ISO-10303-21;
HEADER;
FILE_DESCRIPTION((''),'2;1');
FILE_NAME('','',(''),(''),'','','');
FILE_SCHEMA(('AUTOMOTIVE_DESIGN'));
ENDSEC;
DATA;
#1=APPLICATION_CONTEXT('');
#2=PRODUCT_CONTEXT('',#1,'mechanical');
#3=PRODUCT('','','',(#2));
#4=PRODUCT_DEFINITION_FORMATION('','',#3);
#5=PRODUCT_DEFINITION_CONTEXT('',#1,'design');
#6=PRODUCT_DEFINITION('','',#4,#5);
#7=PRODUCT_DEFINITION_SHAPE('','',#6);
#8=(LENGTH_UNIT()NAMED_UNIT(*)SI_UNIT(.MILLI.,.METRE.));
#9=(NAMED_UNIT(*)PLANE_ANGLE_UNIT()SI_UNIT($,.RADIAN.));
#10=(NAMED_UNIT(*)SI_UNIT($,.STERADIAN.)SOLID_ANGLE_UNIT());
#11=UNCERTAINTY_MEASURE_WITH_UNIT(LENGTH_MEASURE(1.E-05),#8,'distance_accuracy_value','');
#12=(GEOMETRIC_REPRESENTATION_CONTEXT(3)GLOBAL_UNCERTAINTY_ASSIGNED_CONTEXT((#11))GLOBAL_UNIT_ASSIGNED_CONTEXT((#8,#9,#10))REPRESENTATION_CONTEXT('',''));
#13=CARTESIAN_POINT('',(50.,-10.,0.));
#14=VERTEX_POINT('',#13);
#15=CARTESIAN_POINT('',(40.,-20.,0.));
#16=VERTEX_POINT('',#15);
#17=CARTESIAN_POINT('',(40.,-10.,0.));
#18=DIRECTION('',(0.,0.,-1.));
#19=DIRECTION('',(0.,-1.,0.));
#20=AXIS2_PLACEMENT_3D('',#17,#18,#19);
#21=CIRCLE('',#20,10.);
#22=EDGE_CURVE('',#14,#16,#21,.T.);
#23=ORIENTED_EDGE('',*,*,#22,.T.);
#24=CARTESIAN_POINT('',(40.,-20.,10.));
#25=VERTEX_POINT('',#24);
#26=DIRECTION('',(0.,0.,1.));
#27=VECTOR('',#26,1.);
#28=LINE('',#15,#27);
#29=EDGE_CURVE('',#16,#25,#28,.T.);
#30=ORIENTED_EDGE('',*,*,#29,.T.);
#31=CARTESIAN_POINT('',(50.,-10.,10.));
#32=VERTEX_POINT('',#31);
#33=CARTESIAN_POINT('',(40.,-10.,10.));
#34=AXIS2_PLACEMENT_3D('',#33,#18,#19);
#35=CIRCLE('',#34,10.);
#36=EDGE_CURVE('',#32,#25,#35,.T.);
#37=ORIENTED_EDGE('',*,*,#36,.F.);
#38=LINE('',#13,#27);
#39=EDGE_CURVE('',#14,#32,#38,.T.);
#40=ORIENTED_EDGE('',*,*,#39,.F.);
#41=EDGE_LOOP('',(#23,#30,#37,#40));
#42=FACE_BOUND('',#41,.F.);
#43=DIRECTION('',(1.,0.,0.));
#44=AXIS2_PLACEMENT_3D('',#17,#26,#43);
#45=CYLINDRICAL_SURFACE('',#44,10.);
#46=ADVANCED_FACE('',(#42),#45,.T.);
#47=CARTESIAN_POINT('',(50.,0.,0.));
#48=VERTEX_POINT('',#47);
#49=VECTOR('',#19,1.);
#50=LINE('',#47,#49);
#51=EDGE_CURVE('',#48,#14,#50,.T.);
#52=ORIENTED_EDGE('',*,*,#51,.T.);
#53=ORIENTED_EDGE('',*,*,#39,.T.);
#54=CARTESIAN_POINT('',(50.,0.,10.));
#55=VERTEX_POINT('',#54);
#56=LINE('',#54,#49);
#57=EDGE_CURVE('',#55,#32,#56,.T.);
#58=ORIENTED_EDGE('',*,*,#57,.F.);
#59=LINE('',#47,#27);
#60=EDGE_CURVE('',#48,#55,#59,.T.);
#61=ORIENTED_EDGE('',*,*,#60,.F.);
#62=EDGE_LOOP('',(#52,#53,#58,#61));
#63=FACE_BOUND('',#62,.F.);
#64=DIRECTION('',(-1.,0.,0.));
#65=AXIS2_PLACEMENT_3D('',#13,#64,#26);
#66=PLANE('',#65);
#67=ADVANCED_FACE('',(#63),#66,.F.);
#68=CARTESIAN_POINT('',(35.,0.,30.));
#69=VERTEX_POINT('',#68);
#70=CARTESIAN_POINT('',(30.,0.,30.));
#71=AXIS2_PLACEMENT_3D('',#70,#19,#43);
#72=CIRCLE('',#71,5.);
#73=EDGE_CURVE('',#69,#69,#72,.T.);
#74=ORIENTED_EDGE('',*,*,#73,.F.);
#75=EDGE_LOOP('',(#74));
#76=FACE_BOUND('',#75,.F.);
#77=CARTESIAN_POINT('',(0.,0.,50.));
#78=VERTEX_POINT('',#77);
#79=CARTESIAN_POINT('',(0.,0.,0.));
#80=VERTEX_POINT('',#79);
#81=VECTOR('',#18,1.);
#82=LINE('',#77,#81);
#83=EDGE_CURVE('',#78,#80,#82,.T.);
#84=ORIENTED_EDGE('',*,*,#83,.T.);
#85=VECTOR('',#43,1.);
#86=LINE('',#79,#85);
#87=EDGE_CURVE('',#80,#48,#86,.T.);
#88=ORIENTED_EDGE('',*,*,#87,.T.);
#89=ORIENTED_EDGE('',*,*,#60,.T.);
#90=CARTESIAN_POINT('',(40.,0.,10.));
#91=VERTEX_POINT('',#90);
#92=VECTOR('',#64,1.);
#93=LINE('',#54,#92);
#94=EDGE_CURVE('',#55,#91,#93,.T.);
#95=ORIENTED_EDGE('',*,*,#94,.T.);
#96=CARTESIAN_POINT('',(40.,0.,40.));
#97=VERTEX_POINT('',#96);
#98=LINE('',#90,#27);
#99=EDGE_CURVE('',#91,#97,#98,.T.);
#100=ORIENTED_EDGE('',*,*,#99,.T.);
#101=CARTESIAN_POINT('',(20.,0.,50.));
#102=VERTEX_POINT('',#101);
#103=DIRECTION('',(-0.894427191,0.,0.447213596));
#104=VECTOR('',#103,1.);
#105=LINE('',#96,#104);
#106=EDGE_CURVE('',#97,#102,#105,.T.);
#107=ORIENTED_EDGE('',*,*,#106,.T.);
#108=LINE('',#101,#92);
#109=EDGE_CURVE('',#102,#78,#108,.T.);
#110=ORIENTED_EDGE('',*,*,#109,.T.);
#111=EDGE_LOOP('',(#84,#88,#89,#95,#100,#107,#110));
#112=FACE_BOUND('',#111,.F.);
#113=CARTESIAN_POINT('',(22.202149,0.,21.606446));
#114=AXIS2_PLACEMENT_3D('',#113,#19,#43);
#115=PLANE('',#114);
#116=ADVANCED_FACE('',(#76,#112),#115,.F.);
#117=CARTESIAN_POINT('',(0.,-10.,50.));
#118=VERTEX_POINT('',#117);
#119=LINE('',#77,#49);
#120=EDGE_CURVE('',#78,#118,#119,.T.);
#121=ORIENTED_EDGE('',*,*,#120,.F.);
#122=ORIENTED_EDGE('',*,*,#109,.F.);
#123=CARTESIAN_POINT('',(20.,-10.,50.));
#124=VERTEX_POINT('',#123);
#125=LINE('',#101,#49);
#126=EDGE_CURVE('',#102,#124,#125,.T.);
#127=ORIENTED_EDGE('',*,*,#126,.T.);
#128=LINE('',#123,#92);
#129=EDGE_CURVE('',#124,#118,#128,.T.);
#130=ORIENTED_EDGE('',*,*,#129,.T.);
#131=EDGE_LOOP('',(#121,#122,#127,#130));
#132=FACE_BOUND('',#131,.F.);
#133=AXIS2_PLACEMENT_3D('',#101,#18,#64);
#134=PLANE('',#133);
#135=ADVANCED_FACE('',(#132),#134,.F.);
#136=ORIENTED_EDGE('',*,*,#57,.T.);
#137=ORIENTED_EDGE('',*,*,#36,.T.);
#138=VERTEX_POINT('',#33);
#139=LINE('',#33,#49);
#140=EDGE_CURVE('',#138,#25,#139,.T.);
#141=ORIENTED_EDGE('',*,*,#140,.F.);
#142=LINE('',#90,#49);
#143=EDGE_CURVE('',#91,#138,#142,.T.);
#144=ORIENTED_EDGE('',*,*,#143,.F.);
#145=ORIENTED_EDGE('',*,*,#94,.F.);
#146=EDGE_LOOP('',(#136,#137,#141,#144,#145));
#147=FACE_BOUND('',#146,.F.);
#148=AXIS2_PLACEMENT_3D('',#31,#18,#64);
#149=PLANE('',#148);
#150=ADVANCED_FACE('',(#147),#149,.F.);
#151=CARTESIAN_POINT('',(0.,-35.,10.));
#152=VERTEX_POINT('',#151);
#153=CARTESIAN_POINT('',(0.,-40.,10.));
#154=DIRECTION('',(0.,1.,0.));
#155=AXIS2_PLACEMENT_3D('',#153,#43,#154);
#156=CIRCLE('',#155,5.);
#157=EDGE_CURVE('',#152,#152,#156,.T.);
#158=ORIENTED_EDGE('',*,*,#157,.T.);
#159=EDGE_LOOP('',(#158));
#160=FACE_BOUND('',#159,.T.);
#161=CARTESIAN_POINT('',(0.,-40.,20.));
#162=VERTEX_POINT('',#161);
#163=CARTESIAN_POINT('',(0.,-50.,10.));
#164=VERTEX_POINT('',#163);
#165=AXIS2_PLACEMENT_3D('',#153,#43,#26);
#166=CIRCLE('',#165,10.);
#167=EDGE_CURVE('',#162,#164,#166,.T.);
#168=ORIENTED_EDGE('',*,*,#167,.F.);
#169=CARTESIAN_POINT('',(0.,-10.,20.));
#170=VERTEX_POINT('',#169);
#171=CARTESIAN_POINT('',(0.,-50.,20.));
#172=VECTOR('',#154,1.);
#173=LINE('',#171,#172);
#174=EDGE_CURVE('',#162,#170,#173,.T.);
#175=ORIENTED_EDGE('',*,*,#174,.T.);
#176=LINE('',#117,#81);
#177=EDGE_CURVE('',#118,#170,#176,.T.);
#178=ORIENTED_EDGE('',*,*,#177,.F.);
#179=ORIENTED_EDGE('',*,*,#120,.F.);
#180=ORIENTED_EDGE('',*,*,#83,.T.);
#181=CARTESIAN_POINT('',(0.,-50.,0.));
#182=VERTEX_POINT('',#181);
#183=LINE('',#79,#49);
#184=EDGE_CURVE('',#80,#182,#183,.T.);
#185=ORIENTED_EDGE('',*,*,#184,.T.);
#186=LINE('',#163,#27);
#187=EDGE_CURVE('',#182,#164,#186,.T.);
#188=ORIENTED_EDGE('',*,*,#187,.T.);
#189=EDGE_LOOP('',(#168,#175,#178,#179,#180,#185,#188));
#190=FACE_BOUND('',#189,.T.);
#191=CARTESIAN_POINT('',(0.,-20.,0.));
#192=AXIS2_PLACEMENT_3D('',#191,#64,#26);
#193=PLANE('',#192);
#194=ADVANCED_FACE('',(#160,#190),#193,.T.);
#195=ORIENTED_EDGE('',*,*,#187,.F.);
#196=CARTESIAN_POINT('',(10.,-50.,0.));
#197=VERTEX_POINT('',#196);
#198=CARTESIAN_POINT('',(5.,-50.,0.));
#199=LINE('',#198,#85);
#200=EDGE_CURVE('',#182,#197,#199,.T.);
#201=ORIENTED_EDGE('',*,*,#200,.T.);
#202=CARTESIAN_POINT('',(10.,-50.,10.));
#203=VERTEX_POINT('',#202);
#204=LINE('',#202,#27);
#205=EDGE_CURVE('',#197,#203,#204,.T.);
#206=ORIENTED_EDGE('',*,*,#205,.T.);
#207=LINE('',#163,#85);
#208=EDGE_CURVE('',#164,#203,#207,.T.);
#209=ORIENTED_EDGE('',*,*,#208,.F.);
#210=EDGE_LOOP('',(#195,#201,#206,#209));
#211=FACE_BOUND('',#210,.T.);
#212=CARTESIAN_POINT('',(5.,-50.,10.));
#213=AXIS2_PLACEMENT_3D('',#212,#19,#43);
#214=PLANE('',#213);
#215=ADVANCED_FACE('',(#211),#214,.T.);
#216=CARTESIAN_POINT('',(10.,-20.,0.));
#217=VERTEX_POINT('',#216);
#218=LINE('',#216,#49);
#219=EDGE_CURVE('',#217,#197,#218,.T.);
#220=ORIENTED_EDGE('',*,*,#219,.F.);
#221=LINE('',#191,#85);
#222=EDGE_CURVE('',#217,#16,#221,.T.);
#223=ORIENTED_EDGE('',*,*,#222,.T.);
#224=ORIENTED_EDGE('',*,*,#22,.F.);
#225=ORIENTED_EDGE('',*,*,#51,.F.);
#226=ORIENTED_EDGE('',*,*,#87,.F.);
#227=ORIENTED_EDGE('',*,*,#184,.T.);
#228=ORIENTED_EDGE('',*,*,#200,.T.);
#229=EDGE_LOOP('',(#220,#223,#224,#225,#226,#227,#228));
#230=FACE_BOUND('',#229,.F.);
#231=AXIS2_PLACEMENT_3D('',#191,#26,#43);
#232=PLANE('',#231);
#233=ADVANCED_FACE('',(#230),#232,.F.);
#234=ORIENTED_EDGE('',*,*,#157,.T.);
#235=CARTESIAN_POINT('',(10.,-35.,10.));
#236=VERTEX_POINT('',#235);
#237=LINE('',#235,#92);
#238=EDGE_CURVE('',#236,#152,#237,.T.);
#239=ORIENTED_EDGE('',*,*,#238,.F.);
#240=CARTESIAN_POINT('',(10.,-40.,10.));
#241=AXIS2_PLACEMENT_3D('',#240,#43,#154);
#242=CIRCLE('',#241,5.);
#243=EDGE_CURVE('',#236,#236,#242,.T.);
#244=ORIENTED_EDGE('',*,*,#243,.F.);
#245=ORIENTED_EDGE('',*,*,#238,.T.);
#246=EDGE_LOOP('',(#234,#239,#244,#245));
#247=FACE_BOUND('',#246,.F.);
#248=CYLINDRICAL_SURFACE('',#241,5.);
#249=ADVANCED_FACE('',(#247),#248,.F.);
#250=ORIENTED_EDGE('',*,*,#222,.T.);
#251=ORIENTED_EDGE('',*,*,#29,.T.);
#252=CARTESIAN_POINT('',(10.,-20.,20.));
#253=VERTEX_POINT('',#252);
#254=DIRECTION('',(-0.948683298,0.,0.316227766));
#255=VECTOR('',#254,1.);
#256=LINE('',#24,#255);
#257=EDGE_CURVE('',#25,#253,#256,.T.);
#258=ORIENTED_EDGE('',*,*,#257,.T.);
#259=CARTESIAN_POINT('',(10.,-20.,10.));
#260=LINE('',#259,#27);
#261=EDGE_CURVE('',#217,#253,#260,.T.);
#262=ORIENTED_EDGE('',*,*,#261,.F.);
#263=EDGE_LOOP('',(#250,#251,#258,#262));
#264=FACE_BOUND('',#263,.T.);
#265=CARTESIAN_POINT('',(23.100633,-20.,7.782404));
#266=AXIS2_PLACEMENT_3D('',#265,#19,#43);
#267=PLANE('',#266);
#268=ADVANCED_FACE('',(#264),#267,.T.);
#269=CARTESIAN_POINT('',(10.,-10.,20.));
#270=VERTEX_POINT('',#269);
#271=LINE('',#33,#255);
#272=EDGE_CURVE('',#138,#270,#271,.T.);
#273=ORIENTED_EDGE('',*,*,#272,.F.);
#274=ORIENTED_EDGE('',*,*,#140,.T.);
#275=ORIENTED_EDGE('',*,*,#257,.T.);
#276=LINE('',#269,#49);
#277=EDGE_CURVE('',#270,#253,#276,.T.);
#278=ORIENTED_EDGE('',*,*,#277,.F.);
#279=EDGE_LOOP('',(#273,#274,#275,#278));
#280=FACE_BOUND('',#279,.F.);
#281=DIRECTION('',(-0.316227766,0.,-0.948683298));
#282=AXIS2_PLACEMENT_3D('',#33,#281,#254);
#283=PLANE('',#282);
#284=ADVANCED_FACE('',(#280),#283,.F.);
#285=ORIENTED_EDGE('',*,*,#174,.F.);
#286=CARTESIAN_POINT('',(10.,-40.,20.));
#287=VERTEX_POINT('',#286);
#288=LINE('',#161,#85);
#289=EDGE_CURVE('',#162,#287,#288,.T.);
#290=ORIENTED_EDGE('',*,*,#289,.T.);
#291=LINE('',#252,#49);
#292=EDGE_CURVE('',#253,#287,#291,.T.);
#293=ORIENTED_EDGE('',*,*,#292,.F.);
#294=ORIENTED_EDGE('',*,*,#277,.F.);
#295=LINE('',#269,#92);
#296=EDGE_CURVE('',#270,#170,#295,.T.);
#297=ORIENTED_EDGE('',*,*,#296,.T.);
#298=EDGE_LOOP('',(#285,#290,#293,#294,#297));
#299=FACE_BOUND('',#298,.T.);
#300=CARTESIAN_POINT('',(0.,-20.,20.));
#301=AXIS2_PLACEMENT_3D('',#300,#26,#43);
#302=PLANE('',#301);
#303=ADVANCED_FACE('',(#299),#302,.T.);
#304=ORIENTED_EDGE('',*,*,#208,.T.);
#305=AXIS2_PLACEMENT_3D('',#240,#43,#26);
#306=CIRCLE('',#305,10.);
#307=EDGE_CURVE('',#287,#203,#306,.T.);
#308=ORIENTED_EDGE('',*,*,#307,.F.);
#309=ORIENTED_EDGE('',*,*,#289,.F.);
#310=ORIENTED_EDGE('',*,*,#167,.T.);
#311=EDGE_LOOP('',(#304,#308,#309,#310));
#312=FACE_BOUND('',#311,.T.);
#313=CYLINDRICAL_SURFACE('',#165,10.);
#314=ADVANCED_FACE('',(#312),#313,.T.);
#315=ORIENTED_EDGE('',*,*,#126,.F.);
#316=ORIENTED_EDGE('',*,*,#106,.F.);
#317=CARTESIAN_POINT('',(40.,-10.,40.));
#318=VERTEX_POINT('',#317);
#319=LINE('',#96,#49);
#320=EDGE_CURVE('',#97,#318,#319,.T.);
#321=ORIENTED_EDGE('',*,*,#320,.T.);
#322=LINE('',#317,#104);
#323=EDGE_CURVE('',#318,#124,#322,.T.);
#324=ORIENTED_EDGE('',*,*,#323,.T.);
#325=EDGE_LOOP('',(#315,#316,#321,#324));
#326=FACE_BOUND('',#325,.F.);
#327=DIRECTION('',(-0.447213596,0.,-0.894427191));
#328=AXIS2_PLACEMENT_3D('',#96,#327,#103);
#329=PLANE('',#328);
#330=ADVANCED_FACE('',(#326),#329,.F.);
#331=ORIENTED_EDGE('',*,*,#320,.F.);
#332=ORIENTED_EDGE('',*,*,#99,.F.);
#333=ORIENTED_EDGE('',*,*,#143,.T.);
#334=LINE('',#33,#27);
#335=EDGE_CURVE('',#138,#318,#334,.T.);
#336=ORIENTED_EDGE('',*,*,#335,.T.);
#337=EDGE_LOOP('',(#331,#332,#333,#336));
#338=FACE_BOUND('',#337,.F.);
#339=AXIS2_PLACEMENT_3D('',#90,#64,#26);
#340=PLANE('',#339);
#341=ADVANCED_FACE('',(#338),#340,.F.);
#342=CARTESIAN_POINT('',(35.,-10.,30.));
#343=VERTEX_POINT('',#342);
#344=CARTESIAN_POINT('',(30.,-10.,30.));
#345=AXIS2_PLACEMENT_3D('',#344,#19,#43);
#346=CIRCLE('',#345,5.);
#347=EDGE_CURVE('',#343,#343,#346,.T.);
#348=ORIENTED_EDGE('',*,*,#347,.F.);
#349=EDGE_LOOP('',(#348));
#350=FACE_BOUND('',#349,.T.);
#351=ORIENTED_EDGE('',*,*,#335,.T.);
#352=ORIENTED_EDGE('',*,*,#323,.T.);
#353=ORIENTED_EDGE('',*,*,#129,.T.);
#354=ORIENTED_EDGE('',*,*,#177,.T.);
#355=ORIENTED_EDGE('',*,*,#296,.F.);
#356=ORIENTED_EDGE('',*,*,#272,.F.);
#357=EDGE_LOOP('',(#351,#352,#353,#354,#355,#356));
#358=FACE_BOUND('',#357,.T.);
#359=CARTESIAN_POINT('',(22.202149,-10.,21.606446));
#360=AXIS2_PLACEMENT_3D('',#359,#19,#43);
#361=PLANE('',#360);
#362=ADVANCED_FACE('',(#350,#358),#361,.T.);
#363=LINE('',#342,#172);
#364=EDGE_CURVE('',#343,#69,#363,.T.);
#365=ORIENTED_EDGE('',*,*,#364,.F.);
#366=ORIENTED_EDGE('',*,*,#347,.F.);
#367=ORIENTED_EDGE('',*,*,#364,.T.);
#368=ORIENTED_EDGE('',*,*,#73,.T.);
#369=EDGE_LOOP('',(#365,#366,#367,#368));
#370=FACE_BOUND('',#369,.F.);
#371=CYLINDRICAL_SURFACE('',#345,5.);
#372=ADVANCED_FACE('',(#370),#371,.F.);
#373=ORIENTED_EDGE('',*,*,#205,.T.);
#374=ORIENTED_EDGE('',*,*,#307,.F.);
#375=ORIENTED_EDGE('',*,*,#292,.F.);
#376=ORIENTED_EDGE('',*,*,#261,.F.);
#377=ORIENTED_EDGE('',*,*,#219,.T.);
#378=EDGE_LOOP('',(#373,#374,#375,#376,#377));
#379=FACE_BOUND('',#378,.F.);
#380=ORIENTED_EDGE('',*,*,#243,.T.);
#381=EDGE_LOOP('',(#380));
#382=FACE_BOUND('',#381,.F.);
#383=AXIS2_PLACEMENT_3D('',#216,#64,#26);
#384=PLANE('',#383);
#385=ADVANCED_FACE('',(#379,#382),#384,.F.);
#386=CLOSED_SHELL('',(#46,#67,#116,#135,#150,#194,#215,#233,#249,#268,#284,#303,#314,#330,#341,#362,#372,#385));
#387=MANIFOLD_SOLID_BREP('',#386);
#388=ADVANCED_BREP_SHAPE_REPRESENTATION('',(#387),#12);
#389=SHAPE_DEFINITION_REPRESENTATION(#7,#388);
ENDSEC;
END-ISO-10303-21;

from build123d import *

# Parameters (mm, degrees)
F1_DEPTH  = 10
F3_DEPTH  = 10
F4_R      = 5
F5_DEPTH  = 10
F6_W      = 10
F6_H      = 20
F7_DEPTH  = 30
F8_R      = 10
F9_R      = 5
F10_DEPTH = 10


with BuildPart() as f1:
    # F0 (on Front) → F1 (new body)
    with BuildSketch(Plane.XZ):
        Polygon((0, 50), (0, 0), (50, 0), (50, 10), (40, 10), (40, 40), (20, 50), align=None)
    extrude(amount=F1_DEPTH)

    # F2 (on face) → F3 (join)
    with BuildSketch(Plane.XZ.offset(10)):
        Polygon((0, 20), (0, 0), (50, 0), (50, 10), (40, 10), (10, 20), align=None)
    extrude(amount=F3_DEPTH)

    # F4 (on face) → F5 (cut, through all)
    with BuildSketch(Plane.XZ.offset(10)):
        with Locations((30, 30)):
            Circle(F4_R)
    extrude(amount=-F5_DEPTH, mode=Mode.SUBTRACT)

    # F6 (on face) → F7 (join)
    with BuildSketch(Plane.XZ.offset(20)):
        with Locations((5, 10)):
            Rectangle(F6_W, F6_H)
    extrude(amount=F7_DEPTH)

    # F8
    f8_edges = [f1.edges().sort_by_distance(p)[0] for p in [
        (50, -20, 5),
        (5, -50, 20),
    ]]
    fillet(f8_edges, radius=F8_R)

    # F9 (on face) → F10 (cut, through all)
    with BuildSketch(Plane.YZ.offset(10)):
        with Locations((-40, 10)):
            Circle(F9_R)
    extrude(amount=-F10_DEPTH, mode=Mode.SUBTRACT)


solid = f1.part
